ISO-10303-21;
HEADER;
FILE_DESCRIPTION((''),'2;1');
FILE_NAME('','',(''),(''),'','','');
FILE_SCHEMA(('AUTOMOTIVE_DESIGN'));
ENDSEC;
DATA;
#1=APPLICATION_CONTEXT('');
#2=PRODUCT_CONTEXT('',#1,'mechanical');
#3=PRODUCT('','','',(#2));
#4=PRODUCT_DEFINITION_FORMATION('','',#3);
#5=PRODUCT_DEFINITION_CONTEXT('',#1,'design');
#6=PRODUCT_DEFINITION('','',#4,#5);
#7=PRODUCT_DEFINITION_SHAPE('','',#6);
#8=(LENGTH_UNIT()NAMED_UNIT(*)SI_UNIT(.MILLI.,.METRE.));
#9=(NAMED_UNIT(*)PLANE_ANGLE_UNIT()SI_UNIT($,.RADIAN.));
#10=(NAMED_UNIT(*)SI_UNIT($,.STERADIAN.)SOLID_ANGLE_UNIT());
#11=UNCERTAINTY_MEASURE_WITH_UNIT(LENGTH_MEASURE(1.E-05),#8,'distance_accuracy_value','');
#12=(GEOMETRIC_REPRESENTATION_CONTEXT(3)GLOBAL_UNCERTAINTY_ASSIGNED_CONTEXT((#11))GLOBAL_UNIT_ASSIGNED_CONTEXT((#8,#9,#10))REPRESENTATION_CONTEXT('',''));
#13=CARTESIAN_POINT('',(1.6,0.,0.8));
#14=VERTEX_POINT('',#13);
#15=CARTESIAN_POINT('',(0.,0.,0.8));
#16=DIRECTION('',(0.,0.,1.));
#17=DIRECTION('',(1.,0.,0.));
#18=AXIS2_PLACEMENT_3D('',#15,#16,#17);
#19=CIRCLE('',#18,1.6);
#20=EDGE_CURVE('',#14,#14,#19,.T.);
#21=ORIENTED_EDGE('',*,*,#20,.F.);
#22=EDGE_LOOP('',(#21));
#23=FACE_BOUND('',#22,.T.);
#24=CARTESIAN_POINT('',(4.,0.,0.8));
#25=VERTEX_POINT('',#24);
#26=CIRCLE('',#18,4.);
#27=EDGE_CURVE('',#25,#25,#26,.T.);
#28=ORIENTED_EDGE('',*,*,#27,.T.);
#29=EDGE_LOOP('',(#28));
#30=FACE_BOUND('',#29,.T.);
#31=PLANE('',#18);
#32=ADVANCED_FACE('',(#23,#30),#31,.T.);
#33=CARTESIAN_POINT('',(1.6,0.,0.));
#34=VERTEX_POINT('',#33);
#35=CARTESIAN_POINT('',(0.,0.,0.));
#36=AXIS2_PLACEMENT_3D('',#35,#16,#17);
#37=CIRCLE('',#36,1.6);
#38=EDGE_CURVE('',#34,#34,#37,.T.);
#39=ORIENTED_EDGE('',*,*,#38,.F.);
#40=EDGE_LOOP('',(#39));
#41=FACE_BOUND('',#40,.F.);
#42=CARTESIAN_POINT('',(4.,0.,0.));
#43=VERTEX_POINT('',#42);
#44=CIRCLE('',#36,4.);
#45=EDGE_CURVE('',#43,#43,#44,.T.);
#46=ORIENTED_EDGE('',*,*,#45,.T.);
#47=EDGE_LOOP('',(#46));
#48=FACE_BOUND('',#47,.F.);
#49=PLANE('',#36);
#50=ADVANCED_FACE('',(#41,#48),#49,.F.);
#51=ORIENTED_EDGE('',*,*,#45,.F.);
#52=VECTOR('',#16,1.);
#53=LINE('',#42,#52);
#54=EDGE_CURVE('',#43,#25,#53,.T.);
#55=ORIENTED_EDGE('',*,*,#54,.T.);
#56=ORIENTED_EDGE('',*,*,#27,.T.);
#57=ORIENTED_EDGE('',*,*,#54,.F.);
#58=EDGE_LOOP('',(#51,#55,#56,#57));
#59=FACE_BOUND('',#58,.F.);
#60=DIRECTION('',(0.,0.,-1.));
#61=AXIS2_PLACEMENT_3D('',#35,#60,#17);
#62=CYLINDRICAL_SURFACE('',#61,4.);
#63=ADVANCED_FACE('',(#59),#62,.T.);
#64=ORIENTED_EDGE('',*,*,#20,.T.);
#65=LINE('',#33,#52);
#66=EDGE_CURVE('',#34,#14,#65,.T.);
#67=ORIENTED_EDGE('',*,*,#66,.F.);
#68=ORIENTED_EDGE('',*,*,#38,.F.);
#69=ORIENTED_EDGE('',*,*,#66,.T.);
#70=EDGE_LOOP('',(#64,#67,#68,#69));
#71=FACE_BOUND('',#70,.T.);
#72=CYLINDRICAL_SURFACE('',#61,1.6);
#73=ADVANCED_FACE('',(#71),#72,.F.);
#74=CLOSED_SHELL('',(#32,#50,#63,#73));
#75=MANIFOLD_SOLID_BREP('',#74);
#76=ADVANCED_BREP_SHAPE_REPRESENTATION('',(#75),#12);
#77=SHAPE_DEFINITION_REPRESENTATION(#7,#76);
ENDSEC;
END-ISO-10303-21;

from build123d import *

# Parameters (mm, degrees)
SKETCH_R   = 4
SKETCH_R_2 = 1.6
PAD_DEPTH  = 0.8


with BuildPart() as part:
    # Sketch → Pad (new body)
    with BuildSketch(Plane.XY):
        Circle(SKETCH_R)
        Circle(SKETCH_R_2, mode=Mode.SUBTRACT)
    extrude(amount=PAD_DEPTH)


solid = part.part
